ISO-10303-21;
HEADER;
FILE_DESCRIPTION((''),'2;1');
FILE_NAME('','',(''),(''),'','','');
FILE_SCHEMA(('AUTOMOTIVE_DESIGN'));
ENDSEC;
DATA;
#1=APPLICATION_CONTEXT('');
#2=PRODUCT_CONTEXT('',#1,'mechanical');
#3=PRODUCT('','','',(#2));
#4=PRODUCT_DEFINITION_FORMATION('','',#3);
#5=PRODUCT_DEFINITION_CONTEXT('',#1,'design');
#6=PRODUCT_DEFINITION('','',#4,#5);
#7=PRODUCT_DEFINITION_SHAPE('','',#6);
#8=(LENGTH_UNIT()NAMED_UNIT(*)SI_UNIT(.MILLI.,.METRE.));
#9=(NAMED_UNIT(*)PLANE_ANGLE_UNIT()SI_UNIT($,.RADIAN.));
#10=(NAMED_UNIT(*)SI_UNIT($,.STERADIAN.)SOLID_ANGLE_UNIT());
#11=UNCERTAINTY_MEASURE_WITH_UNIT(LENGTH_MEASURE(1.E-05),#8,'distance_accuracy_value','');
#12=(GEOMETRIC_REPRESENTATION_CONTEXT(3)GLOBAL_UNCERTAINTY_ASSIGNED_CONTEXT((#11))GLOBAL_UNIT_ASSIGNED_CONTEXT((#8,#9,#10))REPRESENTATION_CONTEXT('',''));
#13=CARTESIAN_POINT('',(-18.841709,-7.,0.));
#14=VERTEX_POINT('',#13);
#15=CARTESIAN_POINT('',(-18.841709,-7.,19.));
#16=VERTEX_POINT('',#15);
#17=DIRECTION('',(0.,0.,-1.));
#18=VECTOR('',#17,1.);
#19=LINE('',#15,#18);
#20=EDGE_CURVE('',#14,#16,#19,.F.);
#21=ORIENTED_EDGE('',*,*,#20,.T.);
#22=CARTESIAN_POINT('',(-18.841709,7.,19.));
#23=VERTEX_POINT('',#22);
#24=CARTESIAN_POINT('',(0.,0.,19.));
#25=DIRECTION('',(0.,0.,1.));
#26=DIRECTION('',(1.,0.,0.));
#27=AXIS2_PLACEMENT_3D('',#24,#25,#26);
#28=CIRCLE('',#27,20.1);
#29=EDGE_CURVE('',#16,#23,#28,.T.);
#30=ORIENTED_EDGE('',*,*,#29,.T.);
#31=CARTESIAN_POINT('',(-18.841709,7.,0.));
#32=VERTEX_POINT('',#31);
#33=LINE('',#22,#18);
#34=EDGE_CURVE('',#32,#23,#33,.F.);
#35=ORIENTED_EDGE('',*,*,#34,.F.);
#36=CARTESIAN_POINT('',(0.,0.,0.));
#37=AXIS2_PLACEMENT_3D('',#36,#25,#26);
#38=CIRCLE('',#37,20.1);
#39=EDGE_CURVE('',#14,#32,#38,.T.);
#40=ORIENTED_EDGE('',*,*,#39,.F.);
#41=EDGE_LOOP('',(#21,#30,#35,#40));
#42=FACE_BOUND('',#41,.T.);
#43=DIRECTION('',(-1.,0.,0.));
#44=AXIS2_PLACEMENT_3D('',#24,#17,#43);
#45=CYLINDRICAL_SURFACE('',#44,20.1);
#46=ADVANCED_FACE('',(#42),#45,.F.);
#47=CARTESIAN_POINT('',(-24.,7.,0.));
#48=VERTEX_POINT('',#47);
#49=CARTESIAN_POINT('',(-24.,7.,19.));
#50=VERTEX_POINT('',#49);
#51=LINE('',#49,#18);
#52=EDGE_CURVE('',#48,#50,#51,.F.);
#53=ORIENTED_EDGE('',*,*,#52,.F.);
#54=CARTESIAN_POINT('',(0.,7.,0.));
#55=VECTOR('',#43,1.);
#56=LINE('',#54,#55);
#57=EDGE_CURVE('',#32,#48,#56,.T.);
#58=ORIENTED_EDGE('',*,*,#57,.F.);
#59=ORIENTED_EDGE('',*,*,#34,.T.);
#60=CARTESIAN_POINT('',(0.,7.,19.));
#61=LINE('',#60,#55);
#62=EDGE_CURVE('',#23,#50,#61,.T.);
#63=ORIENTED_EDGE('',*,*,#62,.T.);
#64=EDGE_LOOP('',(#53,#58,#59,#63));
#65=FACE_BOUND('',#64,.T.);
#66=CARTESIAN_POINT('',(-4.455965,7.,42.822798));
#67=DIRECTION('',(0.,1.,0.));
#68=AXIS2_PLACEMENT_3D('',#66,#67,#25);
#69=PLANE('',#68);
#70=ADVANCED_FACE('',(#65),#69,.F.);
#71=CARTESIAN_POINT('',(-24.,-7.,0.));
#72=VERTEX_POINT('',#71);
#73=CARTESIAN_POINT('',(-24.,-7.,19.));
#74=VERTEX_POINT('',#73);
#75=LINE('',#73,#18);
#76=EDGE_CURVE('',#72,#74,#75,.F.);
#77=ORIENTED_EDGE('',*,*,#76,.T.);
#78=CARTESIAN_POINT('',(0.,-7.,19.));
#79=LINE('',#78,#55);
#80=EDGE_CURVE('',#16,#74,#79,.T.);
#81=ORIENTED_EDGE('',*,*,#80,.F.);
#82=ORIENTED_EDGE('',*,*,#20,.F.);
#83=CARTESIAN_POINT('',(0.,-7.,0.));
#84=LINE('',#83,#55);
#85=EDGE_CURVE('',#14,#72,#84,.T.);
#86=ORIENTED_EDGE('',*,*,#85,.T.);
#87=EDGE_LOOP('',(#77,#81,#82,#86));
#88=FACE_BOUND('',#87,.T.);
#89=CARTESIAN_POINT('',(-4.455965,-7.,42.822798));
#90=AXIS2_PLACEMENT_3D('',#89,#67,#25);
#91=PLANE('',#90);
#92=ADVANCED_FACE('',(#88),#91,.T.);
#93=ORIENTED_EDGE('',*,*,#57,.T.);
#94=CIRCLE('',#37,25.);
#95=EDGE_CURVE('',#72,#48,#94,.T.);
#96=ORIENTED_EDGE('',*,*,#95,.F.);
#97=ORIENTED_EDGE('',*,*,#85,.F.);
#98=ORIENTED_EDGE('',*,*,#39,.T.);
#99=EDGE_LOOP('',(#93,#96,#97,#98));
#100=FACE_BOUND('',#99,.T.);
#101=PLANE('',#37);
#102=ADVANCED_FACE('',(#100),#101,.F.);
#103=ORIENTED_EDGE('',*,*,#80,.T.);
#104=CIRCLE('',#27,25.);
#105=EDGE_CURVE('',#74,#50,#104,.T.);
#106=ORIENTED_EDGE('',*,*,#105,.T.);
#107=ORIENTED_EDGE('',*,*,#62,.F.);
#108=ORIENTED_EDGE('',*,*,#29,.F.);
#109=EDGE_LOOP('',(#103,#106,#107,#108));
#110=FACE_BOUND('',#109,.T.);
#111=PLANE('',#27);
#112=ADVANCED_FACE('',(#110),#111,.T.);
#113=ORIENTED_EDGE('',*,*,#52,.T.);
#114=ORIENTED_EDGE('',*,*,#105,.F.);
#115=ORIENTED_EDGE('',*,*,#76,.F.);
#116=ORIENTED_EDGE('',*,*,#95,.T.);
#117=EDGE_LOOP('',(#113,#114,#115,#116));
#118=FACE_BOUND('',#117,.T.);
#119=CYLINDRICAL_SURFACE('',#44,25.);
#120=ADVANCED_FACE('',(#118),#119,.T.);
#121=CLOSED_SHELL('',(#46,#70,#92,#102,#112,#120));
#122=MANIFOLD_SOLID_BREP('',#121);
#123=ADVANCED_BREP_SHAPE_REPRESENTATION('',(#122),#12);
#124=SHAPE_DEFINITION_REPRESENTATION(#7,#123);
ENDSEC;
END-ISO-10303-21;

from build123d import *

# Parameters (mm, degrees)
SKETCH_1_R          = 25
SKETCH_1_R_2        = 20.1
EXTRUDE_1_DEPTH     = 19
SKETCH_2_W          = 78.996684193
SKETCH_2_H          = 55.130784999
CUT_EXTRUDE_1_DEPTH = 7


with BuildPart() as part:
    # 草图1 → 凸台-拉伸1 (new body)
    with BuildSketch(Plane.XY):
        Circle(SKETCH_1_R)
        Circle(SKETCH_1_R_2, mode=Mode.SUBTRACT)
    extrude(amount=EXTRUDE_1_DEPTH)

    # 草图2 → 切除-拉伸1 (cut, symmetric)
    with BuildSketch(Plane(origin=(0, 0, 0), x_dir=(1, 0, 0), z_dir=(0, 1, 0))):
        with Locations((-43.954307374, -15.257405538)):
            Rectangle(SKETCH_2_W, SKETCH_2_H)
    extrude(amount=CUT_EXTRUDE_1_DEPTH, both=True, mode=Mode.SUBTRACT)


solid = part.part
